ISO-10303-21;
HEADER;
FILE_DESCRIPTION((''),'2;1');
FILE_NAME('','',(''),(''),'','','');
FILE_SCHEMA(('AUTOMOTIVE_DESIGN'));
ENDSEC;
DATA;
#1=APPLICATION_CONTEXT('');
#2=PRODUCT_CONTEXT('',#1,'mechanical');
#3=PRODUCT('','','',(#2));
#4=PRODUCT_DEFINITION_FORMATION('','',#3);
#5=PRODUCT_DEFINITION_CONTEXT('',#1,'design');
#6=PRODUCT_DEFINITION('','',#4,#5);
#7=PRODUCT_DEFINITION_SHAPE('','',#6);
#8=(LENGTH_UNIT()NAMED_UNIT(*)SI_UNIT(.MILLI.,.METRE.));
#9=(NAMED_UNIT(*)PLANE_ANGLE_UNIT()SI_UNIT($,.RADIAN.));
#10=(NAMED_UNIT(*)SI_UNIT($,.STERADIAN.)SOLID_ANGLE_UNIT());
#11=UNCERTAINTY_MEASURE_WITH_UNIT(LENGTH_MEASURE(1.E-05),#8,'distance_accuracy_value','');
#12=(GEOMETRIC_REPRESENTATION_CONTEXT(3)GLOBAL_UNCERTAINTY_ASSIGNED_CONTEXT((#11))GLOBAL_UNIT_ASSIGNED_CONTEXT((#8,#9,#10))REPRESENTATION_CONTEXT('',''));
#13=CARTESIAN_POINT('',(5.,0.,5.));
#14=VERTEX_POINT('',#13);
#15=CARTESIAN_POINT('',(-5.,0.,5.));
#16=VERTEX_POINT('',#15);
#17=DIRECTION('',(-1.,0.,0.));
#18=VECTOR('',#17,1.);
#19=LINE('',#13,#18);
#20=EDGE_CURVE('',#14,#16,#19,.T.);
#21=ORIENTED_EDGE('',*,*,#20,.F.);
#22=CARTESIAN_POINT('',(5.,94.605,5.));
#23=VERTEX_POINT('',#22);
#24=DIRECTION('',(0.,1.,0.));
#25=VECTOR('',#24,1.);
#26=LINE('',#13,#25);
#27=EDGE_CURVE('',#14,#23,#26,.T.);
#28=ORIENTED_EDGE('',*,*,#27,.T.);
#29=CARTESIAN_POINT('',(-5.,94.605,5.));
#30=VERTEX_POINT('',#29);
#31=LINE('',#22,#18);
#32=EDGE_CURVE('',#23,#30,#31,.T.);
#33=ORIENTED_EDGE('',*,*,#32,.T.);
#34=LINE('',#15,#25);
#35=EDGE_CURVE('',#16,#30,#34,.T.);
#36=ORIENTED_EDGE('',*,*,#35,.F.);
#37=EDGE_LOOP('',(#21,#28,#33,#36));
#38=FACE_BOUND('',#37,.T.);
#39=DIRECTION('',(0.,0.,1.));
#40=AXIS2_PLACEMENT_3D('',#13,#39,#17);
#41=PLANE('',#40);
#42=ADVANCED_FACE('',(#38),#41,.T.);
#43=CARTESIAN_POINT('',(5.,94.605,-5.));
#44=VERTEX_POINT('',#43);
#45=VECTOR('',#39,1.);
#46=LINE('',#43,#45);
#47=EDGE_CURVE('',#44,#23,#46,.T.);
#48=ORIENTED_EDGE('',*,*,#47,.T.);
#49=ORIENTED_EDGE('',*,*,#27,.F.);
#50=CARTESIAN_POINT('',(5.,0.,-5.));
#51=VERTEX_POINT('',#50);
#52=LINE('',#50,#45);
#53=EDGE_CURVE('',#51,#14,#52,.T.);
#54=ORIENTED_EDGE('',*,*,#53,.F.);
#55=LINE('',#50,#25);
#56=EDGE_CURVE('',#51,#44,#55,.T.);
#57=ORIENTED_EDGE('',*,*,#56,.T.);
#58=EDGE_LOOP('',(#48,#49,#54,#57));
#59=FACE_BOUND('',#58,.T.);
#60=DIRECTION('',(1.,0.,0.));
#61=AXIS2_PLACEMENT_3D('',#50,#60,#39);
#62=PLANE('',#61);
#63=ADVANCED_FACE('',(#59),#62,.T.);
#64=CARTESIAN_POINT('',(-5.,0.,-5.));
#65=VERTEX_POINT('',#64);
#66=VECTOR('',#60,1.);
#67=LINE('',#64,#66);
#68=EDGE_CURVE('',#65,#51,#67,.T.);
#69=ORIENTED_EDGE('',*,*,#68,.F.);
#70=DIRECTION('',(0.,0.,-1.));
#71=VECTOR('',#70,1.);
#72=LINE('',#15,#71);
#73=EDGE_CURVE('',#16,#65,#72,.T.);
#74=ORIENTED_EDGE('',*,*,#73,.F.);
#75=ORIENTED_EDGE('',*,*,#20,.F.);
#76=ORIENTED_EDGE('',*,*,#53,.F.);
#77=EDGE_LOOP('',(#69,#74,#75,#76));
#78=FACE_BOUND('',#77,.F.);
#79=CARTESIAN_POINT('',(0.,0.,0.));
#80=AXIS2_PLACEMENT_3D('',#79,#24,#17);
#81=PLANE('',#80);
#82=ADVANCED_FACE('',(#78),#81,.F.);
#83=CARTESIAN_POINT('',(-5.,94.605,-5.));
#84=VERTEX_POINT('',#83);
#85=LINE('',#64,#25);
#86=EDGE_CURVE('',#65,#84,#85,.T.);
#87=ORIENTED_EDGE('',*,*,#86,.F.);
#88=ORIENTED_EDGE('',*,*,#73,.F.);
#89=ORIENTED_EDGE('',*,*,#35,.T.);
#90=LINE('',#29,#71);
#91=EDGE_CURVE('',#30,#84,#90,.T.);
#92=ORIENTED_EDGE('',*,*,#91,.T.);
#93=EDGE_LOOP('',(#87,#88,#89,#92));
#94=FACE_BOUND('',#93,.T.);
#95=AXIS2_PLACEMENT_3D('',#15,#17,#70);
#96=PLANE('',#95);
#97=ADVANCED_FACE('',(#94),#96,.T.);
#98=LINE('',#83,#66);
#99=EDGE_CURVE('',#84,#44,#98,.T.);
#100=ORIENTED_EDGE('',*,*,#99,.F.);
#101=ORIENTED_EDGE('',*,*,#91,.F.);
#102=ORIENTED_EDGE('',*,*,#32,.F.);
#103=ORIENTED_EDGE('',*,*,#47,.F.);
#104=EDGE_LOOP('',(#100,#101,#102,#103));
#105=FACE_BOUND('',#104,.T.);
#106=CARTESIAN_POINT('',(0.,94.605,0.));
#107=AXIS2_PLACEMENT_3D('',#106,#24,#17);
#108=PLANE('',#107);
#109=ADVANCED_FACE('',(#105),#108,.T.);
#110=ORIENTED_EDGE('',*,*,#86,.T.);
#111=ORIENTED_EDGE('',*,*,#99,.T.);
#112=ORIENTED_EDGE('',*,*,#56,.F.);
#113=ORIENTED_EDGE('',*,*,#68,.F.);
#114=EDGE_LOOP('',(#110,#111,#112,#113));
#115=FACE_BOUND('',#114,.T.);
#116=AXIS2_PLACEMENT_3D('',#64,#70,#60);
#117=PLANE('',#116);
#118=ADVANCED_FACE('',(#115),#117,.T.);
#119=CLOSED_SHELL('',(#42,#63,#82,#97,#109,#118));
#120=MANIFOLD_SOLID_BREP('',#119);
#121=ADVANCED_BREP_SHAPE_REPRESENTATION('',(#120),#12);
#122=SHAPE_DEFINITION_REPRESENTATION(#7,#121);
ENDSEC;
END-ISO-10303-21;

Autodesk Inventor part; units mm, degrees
ref_plane "YZ Plane" through (0, 0, 0) normal (1, 0, 0) x (0, 1, 0)
ref_plane "XZ Plane" through (0, 0, 0) normal (0, 1, 0) x (-1, 0, 0)
ref_plane "XY Plane" through (0, 0, 0) normal (0, 0, 1) x (1, 0, 0)
sketch "Sketch1" plane through (0, 0, 0) normal (0, 1, 0) x (-1, 0, 0)
  line L0 (5, -5) -> (-5, -5)
  line L1 (-5, -5) -> (-5, 5)
  line L2 (-5, 5) -> (5, 5)
  line L3 (5, 5) -> (5, -5)
  point P0 (0, 0)
  point P1 (0, 0)
  dimension "d0" = 10
extrude "Extrusion1" add sketch "Sketch1" along normal blind 94.605
properties part number "frame_rod"
